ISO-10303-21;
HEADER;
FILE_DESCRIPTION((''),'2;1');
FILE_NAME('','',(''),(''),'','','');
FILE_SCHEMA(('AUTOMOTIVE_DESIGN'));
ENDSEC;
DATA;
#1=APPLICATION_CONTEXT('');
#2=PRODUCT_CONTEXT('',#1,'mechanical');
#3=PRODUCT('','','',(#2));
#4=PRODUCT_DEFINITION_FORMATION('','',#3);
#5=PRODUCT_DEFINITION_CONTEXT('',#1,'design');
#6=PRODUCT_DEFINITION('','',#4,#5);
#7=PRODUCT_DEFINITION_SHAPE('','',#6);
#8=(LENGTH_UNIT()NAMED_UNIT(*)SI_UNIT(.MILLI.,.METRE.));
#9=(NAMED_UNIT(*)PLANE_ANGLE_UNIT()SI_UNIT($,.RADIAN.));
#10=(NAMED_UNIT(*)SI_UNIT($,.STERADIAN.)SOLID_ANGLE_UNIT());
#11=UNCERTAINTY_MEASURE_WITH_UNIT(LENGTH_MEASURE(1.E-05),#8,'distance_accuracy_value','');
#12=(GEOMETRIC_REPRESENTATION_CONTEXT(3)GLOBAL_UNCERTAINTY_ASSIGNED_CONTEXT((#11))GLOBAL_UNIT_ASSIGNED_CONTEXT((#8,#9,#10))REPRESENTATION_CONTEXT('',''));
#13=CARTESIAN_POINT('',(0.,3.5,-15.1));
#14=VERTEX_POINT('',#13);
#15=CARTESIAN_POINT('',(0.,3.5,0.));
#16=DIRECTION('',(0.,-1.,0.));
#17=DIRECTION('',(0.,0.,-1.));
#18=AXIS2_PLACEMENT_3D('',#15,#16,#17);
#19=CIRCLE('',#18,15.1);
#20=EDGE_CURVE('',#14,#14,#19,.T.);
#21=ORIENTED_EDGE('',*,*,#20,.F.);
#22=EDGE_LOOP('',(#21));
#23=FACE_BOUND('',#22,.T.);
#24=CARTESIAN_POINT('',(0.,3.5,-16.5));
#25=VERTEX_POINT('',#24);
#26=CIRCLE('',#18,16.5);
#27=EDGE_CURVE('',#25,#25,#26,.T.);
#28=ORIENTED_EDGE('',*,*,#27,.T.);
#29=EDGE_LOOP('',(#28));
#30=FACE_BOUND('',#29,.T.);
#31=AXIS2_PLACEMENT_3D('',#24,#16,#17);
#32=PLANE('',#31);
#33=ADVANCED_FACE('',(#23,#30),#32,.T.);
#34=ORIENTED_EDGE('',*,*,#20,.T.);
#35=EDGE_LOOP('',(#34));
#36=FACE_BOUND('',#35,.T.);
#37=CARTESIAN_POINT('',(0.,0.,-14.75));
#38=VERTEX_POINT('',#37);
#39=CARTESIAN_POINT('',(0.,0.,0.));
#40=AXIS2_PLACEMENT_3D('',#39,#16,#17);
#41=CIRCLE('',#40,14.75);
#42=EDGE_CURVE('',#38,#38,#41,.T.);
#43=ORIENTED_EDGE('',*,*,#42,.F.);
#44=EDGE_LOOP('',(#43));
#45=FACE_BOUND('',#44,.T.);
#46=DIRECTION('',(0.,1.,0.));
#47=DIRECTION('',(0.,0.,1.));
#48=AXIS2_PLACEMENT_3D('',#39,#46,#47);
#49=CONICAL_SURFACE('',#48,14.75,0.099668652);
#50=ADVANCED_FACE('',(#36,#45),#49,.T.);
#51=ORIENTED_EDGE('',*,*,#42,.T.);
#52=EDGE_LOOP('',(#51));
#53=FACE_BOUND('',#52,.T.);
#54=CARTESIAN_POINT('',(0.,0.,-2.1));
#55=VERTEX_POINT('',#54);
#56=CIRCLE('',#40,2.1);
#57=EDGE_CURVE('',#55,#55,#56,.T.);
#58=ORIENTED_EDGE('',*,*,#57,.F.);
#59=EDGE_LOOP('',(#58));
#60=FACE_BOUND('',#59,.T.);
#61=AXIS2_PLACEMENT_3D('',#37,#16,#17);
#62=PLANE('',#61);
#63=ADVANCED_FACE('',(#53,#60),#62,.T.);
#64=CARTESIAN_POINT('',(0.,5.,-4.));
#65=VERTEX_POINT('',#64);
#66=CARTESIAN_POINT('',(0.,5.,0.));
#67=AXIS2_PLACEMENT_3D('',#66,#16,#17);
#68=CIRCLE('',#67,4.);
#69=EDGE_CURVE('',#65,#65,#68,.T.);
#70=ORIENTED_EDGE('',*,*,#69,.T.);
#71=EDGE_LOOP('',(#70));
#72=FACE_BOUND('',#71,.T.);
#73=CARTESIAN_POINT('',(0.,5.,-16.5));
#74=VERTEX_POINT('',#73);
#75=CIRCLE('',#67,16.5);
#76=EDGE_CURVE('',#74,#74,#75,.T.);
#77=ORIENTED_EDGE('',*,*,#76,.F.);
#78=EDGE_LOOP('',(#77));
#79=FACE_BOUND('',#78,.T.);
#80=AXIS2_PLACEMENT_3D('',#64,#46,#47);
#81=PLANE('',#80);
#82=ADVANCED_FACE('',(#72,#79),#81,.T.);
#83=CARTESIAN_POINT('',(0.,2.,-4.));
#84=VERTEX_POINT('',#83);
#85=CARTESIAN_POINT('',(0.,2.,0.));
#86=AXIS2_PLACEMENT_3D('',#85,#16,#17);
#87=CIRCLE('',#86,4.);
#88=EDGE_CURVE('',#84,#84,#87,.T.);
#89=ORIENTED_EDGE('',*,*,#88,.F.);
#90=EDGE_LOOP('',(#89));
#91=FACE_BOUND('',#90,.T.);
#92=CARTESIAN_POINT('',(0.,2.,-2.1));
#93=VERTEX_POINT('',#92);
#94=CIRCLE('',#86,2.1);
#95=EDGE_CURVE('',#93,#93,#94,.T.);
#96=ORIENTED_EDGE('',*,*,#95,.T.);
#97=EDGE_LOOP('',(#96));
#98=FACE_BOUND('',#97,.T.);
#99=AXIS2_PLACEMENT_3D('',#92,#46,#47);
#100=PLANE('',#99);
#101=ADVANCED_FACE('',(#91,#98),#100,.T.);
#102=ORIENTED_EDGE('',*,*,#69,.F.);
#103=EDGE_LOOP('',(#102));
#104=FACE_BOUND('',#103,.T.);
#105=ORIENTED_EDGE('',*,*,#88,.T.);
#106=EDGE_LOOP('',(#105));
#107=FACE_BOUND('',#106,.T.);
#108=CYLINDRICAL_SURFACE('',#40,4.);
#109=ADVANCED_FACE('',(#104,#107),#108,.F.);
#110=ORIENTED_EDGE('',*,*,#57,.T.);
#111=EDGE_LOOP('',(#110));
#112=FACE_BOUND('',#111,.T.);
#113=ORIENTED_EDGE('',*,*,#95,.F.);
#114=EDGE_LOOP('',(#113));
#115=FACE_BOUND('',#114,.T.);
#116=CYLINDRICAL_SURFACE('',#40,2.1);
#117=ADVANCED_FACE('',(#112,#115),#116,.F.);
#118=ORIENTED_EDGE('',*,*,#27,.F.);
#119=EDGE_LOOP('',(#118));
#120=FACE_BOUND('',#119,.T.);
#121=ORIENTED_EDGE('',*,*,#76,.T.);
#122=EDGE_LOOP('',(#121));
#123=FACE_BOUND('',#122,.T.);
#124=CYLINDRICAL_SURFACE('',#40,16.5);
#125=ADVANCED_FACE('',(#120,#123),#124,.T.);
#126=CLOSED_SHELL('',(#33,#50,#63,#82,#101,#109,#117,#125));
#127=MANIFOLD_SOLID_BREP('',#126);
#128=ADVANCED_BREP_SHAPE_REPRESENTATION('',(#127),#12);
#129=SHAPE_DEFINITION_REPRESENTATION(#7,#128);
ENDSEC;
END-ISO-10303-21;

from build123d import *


with BuildPart() as part:
    # Sketch5 → Revolve1 (revolve)
    with BuildSketch(Plane(origin=(0, 0, 0), x_dir=(0, 0, -1), z_dir=(1, 0, 0))):
        Polygon((2.1, 0), (2.1, 2), (4, 2), (4, 5), (16.5, 5), (16.5, 3.5), (15.1, 3.5), (14.75, 0), align=None)
    revolve(axis=Axis((0, 0, 0), (0, 1, 0)))


solid = part.part
